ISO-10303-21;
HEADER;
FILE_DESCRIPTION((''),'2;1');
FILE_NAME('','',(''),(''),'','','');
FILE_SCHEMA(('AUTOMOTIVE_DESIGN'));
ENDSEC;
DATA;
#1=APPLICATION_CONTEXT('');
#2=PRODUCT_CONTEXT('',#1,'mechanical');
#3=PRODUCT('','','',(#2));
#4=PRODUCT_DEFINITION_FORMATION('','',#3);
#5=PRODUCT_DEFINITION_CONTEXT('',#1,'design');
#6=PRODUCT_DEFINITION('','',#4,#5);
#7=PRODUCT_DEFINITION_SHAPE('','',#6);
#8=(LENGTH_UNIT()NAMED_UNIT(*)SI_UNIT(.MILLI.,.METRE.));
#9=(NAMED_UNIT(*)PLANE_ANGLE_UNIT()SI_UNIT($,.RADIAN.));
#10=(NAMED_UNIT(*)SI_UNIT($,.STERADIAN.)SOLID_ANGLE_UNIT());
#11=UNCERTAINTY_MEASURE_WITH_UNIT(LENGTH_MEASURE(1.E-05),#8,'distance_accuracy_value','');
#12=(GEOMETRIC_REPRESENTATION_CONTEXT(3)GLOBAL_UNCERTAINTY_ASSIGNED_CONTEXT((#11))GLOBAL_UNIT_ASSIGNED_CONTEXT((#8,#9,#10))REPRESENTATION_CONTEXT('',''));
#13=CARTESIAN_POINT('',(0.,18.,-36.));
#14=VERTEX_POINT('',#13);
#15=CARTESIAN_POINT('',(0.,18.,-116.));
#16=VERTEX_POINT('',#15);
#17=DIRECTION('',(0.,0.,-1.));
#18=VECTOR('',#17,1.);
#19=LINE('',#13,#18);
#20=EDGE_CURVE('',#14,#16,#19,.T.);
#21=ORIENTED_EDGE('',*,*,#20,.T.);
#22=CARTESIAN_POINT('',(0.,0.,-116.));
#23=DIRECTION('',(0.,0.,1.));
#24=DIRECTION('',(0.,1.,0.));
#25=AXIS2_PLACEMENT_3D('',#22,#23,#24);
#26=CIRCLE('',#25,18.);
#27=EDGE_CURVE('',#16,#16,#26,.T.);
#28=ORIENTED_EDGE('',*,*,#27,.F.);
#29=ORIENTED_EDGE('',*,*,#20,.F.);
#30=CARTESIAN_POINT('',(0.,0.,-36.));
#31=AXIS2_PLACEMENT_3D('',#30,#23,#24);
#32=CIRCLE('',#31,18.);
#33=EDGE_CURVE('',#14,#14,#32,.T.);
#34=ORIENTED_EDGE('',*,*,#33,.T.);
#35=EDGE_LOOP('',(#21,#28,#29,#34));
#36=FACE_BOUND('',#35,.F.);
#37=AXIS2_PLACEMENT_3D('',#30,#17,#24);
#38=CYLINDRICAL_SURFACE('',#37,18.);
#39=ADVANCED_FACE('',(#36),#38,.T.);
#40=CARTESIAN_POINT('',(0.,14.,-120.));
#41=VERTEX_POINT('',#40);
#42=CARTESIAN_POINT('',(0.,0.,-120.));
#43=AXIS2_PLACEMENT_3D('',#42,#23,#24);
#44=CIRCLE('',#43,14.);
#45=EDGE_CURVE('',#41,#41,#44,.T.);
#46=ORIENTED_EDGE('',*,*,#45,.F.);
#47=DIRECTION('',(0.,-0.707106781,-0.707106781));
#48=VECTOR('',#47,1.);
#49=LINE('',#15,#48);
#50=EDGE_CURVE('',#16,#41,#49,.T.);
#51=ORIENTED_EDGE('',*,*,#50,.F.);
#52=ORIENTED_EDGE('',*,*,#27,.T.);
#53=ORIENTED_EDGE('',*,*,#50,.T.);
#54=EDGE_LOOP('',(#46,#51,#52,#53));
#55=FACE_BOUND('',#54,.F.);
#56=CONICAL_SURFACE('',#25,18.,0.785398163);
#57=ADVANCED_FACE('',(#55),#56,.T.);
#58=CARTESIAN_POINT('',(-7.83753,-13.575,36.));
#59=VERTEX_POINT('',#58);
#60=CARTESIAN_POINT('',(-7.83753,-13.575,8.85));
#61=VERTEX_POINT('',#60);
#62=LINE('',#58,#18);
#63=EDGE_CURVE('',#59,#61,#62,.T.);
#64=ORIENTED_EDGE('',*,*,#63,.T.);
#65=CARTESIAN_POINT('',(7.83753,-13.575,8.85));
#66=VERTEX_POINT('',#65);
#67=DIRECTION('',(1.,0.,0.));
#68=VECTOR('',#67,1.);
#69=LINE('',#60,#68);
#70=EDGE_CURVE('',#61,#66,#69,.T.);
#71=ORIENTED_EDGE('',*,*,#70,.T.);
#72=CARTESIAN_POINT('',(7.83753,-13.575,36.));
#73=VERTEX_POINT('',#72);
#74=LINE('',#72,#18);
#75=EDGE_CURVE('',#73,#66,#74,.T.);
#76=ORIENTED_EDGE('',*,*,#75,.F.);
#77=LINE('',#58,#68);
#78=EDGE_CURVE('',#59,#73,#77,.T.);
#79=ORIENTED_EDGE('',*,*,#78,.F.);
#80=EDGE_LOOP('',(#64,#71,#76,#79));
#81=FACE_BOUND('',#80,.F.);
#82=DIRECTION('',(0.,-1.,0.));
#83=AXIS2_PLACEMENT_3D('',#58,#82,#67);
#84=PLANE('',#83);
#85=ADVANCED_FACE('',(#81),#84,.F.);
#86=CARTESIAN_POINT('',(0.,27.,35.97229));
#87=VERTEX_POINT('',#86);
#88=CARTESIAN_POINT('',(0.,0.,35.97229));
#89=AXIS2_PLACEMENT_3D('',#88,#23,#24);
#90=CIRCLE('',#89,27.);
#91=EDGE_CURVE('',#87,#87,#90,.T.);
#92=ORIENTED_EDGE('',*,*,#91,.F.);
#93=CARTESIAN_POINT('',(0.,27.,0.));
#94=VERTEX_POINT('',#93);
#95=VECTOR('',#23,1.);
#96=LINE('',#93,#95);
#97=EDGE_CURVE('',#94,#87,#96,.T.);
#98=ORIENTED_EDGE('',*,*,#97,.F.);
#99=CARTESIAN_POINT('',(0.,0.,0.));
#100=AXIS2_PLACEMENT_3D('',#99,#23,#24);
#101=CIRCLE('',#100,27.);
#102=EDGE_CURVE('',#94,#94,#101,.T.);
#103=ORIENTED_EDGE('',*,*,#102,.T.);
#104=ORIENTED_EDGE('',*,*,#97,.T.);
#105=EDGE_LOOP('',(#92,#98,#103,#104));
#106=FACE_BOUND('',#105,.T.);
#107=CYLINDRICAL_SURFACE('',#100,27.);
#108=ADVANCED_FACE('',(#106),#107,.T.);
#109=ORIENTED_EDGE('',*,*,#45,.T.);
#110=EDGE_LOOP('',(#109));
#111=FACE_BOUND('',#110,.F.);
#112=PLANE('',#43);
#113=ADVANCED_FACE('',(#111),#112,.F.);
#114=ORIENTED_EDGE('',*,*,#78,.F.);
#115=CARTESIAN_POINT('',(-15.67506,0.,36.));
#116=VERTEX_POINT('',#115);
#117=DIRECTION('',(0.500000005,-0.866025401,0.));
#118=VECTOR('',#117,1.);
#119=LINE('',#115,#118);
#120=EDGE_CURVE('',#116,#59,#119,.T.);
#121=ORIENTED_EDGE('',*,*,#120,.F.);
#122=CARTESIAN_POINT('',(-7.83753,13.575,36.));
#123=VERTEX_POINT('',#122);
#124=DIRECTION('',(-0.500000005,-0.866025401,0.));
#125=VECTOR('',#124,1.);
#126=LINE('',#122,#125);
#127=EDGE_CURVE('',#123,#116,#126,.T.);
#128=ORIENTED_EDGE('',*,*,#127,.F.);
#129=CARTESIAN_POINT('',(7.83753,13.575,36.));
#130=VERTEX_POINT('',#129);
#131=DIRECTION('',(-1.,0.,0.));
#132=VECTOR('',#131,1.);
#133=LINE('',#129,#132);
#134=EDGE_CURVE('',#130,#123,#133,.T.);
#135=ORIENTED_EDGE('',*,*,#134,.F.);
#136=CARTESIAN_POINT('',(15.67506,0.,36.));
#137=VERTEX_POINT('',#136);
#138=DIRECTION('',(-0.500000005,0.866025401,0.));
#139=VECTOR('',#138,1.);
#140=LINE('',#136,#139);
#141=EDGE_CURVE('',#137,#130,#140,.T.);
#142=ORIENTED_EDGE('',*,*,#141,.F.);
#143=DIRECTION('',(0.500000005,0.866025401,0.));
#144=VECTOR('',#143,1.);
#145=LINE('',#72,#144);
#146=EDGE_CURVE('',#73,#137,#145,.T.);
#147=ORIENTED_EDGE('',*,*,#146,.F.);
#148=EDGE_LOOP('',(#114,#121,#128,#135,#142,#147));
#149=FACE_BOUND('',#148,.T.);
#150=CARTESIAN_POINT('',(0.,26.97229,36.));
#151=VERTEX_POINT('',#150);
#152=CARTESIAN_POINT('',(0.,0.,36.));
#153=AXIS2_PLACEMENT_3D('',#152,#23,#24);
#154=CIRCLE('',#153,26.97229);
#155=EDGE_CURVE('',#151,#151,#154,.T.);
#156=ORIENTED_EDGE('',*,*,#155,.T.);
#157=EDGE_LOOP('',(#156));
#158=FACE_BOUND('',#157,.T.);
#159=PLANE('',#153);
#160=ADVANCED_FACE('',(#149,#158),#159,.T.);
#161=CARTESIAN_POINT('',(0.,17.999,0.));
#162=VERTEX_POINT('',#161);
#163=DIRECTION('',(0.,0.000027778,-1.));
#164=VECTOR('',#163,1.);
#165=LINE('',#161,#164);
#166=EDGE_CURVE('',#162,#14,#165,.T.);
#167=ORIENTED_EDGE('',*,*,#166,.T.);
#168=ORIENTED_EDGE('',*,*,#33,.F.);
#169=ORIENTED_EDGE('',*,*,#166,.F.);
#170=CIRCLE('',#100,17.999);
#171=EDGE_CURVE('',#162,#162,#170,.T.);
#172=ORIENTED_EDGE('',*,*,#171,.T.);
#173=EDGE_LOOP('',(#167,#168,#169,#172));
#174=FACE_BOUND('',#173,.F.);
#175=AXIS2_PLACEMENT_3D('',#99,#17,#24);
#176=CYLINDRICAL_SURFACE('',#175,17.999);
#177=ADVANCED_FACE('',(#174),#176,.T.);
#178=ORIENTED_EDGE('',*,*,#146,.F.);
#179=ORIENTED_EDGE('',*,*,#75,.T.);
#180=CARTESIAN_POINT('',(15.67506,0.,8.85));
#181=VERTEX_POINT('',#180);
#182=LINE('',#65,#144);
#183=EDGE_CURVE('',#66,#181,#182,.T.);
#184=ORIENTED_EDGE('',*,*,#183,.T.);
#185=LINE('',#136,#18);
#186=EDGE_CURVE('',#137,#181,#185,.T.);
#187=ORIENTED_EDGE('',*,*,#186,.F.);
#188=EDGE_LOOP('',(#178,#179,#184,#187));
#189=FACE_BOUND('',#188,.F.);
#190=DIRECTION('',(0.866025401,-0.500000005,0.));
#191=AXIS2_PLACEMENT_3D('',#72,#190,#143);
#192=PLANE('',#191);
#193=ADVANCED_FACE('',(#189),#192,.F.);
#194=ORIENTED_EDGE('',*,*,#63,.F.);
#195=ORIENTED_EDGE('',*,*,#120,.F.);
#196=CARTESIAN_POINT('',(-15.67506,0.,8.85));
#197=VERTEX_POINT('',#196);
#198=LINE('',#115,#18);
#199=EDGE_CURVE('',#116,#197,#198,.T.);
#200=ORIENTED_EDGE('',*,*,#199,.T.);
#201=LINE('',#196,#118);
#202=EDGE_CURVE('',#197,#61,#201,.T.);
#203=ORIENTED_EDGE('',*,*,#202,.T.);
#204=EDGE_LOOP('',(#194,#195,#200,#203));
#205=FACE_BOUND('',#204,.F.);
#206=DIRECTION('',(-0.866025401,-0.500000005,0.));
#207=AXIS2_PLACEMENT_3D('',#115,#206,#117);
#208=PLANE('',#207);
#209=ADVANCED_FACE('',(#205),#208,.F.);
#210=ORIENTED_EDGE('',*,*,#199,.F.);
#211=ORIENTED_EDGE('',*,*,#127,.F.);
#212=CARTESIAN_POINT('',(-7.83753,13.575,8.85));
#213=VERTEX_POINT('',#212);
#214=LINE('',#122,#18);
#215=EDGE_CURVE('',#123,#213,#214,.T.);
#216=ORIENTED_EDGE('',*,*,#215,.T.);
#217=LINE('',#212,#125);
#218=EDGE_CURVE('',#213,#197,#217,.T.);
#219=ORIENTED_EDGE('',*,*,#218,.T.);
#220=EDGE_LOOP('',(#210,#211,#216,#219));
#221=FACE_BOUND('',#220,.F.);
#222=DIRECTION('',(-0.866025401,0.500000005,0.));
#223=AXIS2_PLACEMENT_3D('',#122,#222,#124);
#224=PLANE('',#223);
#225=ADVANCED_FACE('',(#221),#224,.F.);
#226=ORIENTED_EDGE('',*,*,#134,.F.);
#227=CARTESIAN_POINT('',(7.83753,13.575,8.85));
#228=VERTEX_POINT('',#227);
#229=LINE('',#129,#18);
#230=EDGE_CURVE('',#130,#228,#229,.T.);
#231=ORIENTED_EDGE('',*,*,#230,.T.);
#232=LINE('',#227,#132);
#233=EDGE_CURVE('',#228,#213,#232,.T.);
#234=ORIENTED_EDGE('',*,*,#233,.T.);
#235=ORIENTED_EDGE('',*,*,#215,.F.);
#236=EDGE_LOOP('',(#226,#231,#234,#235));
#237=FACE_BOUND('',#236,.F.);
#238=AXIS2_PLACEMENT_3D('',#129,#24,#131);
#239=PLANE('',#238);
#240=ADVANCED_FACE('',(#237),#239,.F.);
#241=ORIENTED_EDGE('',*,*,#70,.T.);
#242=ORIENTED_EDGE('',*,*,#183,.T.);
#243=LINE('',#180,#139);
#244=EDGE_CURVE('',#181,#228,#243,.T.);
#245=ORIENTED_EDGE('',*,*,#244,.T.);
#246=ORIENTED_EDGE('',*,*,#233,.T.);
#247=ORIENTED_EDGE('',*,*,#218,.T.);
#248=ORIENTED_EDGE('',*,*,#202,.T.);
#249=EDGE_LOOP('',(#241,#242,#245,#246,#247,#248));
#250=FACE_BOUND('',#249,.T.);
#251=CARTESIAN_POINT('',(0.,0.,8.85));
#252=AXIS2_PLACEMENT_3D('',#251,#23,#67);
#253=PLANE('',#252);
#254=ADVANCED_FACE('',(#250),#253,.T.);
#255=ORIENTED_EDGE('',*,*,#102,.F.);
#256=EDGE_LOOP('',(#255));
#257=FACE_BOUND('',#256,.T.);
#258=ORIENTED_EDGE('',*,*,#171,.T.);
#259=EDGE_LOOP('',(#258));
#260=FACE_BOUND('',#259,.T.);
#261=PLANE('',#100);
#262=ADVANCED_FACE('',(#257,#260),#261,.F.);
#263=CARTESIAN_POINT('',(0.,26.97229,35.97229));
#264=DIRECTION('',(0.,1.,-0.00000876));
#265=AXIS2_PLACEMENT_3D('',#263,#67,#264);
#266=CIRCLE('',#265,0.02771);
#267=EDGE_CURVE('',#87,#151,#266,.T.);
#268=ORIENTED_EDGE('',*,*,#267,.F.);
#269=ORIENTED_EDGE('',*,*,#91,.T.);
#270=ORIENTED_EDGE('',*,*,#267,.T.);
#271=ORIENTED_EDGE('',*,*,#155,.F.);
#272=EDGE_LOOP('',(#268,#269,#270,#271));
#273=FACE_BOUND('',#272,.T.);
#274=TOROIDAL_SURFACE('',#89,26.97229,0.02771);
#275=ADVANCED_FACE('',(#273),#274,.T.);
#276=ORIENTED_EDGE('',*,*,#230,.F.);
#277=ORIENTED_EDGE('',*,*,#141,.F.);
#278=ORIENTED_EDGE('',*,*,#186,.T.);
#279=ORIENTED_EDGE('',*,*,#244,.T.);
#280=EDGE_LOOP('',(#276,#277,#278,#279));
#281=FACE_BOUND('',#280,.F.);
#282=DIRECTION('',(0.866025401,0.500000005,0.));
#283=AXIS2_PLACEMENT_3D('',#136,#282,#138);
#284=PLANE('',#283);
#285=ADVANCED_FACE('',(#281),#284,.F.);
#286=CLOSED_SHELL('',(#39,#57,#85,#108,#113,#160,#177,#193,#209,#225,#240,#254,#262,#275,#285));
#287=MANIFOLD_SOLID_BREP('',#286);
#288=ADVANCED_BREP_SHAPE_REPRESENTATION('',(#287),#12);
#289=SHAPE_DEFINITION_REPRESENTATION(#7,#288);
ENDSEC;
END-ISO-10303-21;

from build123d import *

# Parameters (mm, degrees)
POCKET_DEPTH = 27.15


with BuildPart() as part:
    # Sketch → Revolve (revolve)
    with BuildSketch(Plane.YZ):
        with BuildLine():
            Line((17.999, 0), (27, 0))
            Line((27, 0), (27, 35.97229))
            ThreePointArc((27, 35.97229), (26.991884, 35.991884), (26.97229, 36))
            Line((26.97229, 36), (0, 36))
            Line((0, -120), (0, 36))
            Line((14, -120), (0, -120))
            Line((18, -116), (14, -120))
            Line((18, -36), (18, -116))
            Line((17.999, 0), (18, -36))
        make_face()
    revolve(axis=Axis((0, 0, 0), (0, 0, 1)))

    # Sketch001 → Pocket (cut)
    with BuildSketch(Plane.XY.offset(36)):
        Polygon((15.67506, 0), (7.83753, 13.575), (-7.83753, 13.575), (-15.67506, 0), (-7.83753, -13.575), (7.83753, -13.575), align=None)
    extrude(amount=-POCKET_DEPTH, mode=Mode.SUBTRACT)


solid = part.part
